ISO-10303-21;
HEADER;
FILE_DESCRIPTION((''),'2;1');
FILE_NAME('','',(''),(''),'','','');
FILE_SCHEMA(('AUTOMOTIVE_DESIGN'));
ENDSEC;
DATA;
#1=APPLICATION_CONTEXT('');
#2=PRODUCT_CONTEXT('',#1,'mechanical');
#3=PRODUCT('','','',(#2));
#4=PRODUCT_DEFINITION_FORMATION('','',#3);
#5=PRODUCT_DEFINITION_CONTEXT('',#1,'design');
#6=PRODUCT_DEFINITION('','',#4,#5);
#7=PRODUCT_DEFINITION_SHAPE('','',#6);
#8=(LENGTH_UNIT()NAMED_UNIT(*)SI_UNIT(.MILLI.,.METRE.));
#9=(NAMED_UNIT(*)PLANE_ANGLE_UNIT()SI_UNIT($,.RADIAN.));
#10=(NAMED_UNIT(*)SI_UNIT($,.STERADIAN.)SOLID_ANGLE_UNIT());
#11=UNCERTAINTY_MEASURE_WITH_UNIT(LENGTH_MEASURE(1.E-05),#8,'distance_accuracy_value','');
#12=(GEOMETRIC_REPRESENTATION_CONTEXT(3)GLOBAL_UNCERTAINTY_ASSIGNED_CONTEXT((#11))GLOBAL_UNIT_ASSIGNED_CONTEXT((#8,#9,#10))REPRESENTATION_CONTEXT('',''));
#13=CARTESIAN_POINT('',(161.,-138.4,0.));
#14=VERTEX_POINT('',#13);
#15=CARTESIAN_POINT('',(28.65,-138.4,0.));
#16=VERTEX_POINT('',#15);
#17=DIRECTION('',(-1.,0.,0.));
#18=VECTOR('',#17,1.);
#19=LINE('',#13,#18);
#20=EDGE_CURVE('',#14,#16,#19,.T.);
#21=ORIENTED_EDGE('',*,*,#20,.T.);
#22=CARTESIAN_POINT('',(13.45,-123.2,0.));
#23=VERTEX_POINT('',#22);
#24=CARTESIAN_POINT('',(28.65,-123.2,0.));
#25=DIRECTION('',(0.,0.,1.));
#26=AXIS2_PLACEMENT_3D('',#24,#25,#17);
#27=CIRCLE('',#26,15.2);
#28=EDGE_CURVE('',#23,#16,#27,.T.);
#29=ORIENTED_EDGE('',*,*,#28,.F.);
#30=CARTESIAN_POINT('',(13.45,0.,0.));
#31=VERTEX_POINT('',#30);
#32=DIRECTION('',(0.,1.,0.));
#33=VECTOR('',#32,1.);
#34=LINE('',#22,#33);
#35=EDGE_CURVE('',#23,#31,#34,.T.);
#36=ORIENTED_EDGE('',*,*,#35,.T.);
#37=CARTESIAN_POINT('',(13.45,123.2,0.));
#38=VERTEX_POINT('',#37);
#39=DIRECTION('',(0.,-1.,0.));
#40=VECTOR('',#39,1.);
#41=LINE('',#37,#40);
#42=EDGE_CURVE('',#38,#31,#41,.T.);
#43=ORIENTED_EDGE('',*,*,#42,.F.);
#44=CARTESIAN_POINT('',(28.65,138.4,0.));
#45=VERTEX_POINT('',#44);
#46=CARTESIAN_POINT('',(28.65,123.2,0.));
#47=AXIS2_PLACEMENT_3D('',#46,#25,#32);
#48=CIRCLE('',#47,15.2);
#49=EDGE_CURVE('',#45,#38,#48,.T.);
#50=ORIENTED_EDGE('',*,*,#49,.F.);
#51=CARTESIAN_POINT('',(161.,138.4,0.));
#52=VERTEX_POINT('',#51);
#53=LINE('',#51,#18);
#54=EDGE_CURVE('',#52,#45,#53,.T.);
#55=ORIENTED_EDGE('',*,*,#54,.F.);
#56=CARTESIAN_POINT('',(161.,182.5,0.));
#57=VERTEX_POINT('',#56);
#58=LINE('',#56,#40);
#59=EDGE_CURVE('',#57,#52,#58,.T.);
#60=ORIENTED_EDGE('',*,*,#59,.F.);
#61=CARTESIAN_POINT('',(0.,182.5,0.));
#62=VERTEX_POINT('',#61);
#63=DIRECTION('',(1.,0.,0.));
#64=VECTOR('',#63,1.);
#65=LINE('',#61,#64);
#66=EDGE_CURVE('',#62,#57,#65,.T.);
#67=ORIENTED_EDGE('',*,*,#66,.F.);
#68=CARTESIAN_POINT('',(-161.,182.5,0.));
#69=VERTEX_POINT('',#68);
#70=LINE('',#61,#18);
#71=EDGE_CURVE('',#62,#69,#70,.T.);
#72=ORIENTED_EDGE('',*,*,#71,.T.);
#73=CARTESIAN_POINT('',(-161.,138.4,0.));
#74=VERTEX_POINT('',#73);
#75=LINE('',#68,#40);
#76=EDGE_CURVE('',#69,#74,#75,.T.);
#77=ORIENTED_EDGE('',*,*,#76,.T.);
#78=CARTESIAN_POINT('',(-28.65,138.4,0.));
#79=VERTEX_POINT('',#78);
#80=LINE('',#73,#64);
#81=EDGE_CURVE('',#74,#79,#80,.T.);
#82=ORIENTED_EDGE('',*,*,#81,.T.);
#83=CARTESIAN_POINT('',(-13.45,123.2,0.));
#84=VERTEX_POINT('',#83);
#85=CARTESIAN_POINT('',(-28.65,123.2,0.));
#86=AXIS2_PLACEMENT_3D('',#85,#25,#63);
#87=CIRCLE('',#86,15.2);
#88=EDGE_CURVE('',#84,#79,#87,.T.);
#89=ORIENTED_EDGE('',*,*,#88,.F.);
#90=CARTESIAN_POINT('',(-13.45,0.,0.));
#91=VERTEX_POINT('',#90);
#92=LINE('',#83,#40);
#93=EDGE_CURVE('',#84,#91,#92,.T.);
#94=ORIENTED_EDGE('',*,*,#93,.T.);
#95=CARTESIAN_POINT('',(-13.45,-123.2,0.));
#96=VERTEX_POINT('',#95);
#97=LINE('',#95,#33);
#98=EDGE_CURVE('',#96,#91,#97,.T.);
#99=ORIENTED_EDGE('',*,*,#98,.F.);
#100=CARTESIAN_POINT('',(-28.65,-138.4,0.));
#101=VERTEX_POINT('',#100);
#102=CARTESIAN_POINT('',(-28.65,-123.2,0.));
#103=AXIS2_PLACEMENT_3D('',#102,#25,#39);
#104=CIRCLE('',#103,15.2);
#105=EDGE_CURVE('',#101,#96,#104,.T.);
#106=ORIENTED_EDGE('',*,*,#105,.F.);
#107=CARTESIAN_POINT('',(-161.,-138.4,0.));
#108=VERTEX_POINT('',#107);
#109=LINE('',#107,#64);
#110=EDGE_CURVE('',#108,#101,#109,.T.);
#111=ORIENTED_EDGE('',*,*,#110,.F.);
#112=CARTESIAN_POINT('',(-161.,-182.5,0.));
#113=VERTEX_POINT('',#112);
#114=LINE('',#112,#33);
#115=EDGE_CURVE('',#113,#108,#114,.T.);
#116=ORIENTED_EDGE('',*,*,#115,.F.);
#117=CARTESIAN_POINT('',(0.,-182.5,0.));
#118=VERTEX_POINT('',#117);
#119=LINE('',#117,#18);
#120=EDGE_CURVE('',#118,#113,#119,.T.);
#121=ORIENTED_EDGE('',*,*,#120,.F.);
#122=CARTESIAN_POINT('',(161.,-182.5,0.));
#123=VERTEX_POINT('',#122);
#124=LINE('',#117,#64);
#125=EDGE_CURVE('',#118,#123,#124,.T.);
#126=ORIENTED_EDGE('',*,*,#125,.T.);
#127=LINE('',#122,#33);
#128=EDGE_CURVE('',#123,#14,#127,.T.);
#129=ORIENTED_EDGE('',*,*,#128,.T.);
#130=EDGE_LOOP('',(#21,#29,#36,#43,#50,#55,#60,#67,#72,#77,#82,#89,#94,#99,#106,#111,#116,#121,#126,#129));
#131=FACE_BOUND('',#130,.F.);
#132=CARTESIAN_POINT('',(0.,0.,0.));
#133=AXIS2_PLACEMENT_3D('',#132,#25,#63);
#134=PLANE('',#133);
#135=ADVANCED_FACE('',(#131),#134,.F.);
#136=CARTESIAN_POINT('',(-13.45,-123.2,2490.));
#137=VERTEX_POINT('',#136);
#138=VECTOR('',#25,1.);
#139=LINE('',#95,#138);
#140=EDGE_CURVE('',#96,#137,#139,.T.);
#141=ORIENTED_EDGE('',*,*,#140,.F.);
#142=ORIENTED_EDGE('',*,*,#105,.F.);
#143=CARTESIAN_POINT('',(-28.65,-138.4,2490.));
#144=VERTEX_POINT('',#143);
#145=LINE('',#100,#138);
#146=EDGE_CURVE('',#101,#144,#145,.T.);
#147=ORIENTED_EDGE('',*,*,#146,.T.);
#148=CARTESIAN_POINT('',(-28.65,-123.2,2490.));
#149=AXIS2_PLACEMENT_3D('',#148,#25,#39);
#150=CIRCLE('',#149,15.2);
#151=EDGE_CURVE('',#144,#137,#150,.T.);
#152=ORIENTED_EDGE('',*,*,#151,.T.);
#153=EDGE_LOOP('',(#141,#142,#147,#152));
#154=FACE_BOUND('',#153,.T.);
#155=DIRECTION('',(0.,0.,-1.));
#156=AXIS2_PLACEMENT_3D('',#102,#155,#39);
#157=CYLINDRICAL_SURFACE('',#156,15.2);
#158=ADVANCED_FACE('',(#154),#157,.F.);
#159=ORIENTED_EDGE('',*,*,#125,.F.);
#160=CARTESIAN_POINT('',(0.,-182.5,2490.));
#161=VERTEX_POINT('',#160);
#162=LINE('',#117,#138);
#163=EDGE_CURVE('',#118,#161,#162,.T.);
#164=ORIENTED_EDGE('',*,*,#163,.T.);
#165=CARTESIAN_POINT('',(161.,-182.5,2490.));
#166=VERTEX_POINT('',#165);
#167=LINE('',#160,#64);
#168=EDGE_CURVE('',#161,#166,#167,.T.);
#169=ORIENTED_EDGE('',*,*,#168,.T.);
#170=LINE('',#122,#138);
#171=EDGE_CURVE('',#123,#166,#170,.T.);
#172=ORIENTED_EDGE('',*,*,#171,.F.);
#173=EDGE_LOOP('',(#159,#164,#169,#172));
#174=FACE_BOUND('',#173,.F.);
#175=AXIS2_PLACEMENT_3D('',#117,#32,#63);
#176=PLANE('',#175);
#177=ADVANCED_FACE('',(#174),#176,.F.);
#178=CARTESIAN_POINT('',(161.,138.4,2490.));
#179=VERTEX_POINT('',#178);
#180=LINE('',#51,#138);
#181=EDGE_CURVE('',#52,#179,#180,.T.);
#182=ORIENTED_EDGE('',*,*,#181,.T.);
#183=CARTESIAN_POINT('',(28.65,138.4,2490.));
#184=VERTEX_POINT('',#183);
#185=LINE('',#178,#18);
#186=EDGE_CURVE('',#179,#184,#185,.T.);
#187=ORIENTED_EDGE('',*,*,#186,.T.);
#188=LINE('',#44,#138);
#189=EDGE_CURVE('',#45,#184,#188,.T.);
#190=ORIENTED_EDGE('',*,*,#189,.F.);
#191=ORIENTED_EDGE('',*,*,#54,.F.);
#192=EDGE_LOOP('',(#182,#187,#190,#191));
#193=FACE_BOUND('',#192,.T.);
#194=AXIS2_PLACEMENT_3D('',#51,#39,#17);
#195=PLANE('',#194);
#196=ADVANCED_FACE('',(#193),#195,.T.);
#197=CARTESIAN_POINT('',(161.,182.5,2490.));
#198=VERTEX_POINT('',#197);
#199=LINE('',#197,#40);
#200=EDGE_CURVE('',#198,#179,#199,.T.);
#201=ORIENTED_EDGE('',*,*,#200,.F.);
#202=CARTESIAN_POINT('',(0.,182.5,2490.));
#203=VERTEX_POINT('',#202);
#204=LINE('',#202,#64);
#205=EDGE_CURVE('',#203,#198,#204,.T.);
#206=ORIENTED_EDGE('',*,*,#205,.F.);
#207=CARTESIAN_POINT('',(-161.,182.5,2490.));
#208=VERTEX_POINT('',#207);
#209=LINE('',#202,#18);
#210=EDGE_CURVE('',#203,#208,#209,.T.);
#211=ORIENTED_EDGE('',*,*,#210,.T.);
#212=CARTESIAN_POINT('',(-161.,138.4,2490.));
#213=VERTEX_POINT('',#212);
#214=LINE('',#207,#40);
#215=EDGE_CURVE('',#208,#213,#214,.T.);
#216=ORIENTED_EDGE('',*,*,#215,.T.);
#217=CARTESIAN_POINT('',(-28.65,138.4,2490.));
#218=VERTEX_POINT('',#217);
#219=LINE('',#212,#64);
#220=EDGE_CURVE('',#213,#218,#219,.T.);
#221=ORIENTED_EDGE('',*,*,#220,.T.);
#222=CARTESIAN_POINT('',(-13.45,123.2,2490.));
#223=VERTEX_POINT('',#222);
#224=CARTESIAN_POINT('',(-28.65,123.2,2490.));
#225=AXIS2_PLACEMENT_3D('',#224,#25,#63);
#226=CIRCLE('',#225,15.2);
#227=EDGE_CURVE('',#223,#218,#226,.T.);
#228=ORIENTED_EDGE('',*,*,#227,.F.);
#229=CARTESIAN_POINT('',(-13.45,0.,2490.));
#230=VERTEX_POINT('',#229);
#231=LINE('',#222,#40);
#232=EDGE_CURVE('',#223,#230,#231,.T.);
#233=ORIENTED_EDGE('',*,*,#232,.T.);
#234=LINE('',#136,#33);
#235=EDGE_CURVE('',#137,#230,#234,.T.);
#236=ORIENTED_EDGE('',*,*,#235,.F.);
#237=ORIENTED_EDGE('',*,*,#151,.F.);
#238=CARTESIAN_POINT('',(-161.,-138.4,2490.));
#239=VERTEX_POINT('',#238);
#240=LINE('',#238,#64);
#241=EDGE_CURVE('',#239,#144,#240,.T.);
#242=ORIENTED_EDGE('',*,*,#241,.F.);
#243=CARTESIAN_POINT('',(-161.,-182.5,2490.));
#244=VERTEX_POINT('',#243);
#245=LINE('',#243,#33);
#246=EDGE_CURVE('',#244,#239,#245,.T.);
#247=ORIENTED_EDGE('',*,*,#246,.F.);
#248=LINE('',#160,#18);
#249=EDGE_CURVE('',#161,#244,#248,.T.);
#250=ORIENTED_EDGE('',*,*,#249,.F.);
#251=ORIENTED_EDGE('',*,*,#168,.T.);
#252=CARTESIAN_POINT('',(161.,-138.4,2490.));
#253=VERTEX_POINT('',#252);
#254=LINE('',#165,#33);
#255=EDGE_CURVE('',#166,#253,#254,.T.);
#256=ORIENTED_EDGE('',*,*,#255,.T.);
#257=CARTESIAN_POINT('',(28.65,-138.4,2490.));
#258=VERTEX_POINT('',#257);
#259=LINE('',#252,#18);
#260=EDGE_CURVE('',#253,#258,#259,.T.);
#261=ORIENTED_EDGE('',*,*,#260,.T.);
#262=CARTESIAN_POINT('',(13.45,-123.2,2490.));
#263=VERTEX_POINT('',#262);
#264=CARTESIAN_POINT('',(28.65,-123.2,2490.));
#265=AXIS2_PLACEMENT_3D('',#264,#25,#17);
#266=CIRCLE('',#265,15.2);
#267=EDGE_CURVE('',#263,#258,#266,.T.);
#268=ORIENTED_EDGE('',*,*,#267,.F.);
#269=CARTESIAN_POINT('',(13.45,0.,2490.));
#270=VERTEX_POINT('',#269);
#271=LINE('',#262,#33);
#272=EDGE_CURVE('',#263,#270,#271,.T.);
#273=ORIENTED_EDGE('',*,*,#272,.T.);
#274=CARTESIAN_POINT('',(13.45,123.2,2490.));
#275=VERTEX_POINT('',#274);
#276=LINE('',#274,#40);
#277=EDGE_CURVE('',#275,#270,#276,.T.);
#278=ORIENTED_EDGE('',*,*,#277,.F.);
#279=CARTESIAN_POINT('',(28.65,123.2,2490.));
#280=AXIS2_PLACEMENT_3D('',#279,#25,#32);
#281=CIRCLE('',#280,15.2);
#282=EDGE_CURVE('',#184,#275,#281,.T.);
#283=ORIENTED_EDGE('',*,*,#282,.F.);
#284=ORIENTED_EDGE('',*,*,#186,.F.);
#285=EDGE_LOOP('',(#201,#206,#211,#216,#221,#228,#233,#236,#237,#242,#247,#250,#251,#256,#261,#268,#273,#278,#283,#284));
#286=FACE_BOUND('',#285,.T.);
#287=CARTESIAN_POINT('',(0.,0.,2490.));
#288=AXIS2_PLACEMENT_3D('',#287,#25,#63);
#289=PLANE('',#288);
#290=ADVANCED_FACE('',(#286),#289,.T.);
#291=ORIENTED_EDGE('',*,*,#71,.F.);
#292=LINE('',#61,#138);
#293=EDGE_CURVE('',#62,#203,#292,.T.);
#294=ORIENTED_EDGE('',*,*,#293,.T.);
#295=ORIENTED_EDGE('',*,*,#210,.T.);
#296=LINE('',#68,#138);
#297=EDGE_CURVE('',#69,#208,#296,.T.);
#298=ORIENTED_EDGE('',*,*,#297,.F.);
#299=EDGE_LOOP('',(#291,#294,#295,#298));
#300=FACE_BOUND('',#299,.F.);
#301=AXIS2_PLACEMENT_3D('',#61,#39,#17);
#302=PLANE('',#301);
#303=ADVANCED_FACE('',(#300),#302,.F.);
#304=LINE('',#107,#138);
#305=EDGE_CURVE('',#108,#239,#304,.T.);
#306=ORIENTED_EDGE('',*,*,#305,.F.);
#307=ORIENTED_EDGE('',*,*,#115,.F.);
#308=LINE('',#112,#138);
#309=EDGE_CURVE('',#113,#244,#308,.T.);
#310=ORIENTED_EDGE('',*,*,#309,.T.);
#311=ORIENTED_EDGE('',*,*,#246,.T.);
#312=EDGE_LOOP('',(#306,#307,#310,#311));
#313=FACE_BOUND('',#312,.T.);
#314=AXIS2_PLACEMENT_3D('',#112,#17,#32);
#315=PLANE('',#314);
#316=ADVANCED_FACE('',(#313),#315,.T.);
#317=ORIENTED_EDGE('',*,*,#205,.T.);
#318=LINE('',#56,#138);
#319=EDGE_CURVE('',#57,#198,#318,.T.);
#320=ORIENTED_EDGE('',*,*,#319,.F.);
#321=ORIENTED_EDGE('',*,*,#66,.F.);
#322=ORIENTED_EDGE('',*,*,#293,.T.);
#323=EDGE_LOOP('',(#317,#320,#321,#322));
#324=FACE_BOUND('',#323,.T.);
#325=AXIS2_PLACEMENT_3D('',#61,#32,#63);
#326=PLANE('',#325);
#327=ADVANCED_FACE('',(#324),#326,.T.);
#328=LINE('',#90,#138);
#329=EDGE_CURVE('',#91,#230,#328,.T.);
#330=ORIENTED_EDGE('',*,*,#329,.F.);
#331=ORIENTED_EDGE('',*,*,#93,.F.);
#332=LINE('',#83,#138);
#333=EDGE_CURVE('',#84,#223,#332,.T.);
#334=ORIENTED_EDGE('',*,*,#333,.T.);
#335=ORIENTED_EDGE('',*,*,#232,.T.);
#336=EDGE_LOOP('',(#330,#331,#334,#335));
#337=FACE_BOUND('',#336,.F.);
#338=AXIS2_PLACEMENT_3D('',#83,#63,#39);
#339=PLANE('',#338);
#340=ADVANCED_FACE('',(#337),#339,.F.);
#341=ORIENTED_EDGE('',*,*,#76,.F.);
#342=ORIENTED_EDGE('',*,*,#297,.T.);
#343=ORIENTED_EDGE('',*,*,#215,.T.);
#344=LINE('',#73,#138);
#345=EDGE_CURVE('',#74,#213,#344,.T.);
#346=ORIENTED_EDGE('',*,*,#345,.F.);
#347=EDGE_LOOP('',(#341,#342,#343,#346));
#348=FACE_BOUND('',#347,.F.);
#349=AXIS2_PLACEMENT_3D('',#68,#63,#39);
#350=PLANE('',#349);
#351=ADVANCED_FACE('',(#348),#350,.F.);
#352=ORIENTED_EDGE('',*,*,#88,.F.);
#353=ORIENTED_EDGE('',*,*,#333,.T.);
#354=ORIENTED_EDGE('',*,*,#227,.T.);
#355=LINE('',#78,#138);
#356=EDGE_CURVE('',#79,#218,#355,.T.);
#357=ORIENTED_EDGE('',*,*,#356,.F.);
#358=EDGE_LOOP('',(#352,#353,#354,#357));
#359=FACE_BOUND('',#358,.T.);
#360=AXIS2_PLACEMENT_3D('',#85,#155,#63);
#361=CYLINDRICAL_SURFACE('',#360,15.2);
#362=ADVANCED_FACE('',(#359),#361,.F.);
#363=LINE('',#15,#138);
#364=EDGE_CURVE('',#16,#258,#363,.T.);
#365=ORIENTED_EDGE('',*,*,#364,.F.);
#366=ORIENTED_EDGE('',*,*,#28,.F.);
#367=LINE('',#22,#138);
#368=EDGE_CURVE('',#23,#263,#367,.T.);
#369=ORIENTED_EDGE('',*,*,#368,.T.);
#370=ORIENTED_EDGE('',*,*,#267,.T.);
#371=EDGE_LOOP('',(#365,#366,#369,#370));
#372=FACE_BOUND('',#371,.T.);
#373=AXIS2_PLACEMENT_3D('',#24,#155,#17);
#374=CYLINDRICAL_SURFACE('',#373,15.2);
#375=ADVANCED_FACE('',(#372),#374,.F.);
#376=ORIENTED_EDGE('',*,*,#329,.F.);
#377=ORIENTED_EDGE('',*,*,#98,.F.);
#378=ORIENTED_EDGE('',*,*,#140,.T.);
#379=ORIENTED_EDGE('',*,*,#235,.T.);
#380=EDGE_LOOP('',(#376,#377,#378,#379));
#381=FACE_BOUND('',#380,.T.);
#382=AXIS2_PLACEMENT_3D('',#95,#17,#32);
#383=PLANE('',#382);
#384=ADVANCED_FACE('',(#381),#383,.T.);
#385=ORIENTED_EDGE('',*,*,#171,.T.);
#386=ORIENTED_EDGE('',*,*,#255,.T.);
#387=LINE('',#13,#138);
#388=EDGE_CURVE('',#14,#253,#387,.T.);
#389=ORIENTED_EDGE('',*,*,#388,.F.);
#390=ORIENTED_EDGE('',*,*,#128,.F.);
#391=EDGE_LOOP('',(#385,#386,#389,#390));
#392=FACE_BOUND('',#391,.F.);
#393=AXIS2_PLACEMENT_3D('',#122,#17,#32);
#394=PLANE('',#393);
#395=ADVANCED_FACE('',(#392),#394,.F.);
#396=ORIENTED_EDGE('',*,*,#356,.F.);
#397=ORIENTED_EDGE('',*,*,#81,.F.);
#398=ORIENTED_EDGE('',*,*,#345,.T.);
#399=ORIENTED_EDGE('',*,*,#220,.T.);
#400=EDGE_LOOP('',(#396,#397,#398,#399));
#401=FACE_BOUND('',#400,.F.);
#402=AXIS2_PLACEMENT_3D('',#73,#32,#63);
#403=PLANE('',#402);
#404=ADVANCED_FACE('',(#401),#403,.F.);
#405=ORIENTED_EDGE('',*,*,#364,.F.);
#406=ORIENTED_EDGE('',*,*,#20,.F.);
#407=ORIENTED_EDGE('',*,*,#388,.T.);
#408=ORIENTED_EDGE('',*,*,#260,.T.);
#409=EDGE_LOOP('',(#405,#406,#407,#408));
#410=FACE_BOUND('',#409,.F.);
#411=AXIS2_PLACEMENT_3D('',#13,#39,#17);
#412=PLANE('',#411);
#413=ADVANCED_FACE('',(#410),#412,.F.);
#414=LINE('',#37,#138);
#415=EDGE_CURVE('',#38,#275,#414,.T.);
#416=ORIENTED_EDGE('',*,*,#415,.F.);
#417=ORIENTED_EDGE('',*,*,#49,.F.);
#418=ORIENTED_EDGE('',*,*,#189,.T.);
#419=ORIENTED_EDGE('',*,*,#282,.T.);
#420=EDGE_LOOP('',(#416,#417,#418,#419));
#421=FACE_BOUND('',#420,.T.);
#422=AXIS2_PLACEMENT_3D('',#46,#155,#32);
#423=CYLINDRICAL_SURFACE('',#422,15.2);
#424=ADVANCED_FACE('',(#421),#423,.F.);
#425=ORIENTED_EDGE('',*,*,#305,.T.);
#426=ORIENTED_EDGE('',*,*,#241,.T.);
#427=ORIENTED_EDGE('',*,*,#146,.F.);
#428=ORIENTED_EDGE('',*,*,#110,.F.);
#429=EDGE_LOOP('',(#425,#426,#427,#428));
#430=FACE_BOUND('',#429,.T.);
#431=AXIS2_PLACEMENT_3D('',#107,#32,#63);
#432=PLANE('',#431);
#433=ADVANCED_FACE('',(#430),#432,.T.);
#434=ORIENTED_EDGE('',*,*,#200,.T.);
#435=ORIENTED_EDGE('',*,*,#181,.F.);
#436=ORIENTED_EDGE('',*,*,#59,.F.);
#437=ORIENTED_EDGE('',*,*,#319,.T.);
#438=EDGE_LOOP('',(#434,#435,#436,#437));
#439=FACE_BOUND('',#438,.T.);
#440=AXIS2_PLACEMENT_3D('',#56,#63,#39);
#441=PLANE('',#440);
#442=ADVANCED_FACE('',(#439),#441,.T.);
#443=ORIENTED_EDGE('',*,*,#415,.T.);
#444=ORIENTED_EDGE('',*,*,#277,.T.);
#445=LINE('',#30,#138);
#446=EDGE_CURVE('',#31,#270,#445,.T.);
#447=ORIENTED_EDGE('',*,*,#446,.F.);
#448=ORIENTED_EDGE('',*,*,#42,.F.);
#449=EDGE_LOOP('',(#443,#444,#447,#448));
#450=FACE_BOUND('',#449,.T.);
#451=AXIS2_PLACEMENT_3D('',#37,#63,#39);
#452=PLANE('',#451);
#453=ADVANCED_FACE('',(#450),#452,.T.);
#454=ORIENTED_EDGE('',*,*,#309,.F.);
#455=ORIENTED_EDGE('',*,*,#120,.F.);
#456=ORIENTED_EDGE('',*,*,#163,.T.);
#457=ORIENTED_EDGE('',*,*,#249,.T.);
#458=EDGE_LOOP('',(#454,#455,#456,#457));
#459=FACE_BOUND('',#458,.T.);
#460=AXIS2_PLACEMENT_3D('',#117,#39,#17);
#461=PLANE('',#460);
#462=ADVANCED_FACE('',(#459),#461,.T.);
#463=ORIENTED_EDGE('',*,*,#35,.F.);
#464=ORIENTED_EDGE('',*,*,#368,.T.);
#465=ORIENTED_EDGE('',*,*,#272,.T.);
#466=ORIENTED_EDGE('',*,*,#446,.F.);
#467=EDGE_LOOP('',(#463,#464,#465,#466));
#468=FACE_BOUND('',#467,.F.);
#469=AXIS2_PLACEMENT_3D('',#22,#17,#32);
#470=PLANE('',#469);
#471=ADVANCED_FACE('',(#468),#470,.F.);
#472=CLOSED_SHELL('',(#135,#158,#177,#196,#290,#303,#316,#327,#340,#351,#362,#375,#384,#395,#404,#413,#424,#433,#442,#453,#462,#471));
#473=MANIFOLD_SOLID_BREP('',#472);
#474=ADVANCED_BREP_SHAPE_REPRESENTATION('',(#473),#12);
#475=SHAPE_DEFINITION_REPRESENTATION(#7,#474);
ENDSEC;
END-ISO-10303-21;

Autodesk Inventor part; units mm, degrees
ref_plane "YZ Plane" through (0, 0, 0) normal (1, 0, 0) x (0, 1, 0)
ref_plane "Start plane" through (0, 0, 0) normal (0, 0, 1) x (1, 0, 0)
ref_plane "End plane" through (0, 0, 2490) normal (0, 0, 1) x (1, 0, 0)
sketch "Sketch" plane through (0, 0, 0) normal (0, 0, 1) x (1, 0, 0)
  line L0 (-161, -182.5) -> (-161, -138.4)
  line L1 (-161, -138.4) -> (-28.65, -138.4)
  line L2 (-13.45, -123.2) -> (-13.45, 0)
  line L3 (-13.45, 0) -> (0, 0) construction
  line L4 (0, 0) -> (0, -182.5) construction
  line L5 (0, -182.5) -> (-161, -182.5)
  line L6 (-60, 0) -> (80, 0) construction
  line L7 (0, -60) -> (0, 80) construction
  line L8 (161, -182.5) -> (161, -138.4)
  line L9 (161, -138.4) -> (28.65, -138.4)
  line L10 (13.45, -123.2) -> (13.45, 0)
  line L11 (13.45, 0) -> (0, 0) construction
  line L12 (0, -182.5) -> (161, -182.5)
  line L13 (-161, 182.5) -> (-161, 138.4)
  line L14 (-161, 138.4) -> (-28.65, 138.4)
  line L15 (-13.45, 123.2) -> (-13.45, 0)
  line L16 (0, 182.5) -> (-161, 182.5)
  line L17 (161, 182.5) -> (161, 138.4)
  line L18 (161, 138.4) -> (28.65, 138.4)
  line L19 (0, 182.5) -> (161, 182.5)
  line L20 (13.45, 123.2) -> (13.45, 0)
  arc A0 (-13.45, 123.2) -> (-28.65, 138.4) centre (-28.65, 123.2) ccw
  arc A1 (28.65, 138.4) -> (13.45, 123.2) centre (28.65, 123.2) ccw
  arc A2 (13.45, -123.2) -> (28.65, -138.4) centre (28.65, -123.2) ccw
  arc A3 (-28.65, -138.4) -> (-13.45, -123.2) centre (-28.65, -123.2) ccw
  line L21 (0, 108) -> (0, -88) construction
  line L22 (-88, 0) -> (108, 0) construction
  point P0 (-13.45, -138.4)
  point P1 (13.45, -138.4)
  point P2 (-13.45, 138.4)
  point P3 (13.45, 138.4)
  dimension "d1" = 182.5
  dimension "d2" = 44.1
  dimension "d3" = 161
  dimension "d4" = 13.45
  dimension "d10" = 15.2
extrude "Body" add sketch "Sketch" along normal up to surface (2490 mm away) from surface at 0
sketch "Sketch4" plane through (0, 0, 0) normal (0, 0, 1) x (1, 0, 0)
  line L0 (0, 0) -> (10, 0)
ref_plane "Work Plane3" through (0, 0, 0) normal (0, -1, 0) x (1, 0, 0)
sketch "Sketch5" plane through (0, 0, 0) normal (0, -1, 0) x (1, 0, 0)
  line L0 (-2, 0) -> (12, 0) projected
  line L1 (-2, 2490) -> (12, 2490) projected
  dimension "d14" = 2490
equation "\"d1\" = 0.5 * G_H"
equation "\"d2\" = G_T1"
equation "\"d3\" = 0.5 * G_W"
equation "\"d4\" = 0.5 * G_T"
equation "\"d10\" = G_IR"
equation "\"d5\" = G_L"
equation "\"G_W\" = 322"
equation "\"G_H\" = 365"
equation "\"G_T\" = 26.9"
equation "\"G_T1\" = 44.1"
equation "\"G_IR\" = 15.2"
equation "\"G_L\" = d14"
equation "\"G_OFFSET_START\" = 0"
equation "\"G_OFFSET_END\" = 0"
properties part number "AS 3679 - 310 UC - 283 - 2490" material "Steel, Mild"
